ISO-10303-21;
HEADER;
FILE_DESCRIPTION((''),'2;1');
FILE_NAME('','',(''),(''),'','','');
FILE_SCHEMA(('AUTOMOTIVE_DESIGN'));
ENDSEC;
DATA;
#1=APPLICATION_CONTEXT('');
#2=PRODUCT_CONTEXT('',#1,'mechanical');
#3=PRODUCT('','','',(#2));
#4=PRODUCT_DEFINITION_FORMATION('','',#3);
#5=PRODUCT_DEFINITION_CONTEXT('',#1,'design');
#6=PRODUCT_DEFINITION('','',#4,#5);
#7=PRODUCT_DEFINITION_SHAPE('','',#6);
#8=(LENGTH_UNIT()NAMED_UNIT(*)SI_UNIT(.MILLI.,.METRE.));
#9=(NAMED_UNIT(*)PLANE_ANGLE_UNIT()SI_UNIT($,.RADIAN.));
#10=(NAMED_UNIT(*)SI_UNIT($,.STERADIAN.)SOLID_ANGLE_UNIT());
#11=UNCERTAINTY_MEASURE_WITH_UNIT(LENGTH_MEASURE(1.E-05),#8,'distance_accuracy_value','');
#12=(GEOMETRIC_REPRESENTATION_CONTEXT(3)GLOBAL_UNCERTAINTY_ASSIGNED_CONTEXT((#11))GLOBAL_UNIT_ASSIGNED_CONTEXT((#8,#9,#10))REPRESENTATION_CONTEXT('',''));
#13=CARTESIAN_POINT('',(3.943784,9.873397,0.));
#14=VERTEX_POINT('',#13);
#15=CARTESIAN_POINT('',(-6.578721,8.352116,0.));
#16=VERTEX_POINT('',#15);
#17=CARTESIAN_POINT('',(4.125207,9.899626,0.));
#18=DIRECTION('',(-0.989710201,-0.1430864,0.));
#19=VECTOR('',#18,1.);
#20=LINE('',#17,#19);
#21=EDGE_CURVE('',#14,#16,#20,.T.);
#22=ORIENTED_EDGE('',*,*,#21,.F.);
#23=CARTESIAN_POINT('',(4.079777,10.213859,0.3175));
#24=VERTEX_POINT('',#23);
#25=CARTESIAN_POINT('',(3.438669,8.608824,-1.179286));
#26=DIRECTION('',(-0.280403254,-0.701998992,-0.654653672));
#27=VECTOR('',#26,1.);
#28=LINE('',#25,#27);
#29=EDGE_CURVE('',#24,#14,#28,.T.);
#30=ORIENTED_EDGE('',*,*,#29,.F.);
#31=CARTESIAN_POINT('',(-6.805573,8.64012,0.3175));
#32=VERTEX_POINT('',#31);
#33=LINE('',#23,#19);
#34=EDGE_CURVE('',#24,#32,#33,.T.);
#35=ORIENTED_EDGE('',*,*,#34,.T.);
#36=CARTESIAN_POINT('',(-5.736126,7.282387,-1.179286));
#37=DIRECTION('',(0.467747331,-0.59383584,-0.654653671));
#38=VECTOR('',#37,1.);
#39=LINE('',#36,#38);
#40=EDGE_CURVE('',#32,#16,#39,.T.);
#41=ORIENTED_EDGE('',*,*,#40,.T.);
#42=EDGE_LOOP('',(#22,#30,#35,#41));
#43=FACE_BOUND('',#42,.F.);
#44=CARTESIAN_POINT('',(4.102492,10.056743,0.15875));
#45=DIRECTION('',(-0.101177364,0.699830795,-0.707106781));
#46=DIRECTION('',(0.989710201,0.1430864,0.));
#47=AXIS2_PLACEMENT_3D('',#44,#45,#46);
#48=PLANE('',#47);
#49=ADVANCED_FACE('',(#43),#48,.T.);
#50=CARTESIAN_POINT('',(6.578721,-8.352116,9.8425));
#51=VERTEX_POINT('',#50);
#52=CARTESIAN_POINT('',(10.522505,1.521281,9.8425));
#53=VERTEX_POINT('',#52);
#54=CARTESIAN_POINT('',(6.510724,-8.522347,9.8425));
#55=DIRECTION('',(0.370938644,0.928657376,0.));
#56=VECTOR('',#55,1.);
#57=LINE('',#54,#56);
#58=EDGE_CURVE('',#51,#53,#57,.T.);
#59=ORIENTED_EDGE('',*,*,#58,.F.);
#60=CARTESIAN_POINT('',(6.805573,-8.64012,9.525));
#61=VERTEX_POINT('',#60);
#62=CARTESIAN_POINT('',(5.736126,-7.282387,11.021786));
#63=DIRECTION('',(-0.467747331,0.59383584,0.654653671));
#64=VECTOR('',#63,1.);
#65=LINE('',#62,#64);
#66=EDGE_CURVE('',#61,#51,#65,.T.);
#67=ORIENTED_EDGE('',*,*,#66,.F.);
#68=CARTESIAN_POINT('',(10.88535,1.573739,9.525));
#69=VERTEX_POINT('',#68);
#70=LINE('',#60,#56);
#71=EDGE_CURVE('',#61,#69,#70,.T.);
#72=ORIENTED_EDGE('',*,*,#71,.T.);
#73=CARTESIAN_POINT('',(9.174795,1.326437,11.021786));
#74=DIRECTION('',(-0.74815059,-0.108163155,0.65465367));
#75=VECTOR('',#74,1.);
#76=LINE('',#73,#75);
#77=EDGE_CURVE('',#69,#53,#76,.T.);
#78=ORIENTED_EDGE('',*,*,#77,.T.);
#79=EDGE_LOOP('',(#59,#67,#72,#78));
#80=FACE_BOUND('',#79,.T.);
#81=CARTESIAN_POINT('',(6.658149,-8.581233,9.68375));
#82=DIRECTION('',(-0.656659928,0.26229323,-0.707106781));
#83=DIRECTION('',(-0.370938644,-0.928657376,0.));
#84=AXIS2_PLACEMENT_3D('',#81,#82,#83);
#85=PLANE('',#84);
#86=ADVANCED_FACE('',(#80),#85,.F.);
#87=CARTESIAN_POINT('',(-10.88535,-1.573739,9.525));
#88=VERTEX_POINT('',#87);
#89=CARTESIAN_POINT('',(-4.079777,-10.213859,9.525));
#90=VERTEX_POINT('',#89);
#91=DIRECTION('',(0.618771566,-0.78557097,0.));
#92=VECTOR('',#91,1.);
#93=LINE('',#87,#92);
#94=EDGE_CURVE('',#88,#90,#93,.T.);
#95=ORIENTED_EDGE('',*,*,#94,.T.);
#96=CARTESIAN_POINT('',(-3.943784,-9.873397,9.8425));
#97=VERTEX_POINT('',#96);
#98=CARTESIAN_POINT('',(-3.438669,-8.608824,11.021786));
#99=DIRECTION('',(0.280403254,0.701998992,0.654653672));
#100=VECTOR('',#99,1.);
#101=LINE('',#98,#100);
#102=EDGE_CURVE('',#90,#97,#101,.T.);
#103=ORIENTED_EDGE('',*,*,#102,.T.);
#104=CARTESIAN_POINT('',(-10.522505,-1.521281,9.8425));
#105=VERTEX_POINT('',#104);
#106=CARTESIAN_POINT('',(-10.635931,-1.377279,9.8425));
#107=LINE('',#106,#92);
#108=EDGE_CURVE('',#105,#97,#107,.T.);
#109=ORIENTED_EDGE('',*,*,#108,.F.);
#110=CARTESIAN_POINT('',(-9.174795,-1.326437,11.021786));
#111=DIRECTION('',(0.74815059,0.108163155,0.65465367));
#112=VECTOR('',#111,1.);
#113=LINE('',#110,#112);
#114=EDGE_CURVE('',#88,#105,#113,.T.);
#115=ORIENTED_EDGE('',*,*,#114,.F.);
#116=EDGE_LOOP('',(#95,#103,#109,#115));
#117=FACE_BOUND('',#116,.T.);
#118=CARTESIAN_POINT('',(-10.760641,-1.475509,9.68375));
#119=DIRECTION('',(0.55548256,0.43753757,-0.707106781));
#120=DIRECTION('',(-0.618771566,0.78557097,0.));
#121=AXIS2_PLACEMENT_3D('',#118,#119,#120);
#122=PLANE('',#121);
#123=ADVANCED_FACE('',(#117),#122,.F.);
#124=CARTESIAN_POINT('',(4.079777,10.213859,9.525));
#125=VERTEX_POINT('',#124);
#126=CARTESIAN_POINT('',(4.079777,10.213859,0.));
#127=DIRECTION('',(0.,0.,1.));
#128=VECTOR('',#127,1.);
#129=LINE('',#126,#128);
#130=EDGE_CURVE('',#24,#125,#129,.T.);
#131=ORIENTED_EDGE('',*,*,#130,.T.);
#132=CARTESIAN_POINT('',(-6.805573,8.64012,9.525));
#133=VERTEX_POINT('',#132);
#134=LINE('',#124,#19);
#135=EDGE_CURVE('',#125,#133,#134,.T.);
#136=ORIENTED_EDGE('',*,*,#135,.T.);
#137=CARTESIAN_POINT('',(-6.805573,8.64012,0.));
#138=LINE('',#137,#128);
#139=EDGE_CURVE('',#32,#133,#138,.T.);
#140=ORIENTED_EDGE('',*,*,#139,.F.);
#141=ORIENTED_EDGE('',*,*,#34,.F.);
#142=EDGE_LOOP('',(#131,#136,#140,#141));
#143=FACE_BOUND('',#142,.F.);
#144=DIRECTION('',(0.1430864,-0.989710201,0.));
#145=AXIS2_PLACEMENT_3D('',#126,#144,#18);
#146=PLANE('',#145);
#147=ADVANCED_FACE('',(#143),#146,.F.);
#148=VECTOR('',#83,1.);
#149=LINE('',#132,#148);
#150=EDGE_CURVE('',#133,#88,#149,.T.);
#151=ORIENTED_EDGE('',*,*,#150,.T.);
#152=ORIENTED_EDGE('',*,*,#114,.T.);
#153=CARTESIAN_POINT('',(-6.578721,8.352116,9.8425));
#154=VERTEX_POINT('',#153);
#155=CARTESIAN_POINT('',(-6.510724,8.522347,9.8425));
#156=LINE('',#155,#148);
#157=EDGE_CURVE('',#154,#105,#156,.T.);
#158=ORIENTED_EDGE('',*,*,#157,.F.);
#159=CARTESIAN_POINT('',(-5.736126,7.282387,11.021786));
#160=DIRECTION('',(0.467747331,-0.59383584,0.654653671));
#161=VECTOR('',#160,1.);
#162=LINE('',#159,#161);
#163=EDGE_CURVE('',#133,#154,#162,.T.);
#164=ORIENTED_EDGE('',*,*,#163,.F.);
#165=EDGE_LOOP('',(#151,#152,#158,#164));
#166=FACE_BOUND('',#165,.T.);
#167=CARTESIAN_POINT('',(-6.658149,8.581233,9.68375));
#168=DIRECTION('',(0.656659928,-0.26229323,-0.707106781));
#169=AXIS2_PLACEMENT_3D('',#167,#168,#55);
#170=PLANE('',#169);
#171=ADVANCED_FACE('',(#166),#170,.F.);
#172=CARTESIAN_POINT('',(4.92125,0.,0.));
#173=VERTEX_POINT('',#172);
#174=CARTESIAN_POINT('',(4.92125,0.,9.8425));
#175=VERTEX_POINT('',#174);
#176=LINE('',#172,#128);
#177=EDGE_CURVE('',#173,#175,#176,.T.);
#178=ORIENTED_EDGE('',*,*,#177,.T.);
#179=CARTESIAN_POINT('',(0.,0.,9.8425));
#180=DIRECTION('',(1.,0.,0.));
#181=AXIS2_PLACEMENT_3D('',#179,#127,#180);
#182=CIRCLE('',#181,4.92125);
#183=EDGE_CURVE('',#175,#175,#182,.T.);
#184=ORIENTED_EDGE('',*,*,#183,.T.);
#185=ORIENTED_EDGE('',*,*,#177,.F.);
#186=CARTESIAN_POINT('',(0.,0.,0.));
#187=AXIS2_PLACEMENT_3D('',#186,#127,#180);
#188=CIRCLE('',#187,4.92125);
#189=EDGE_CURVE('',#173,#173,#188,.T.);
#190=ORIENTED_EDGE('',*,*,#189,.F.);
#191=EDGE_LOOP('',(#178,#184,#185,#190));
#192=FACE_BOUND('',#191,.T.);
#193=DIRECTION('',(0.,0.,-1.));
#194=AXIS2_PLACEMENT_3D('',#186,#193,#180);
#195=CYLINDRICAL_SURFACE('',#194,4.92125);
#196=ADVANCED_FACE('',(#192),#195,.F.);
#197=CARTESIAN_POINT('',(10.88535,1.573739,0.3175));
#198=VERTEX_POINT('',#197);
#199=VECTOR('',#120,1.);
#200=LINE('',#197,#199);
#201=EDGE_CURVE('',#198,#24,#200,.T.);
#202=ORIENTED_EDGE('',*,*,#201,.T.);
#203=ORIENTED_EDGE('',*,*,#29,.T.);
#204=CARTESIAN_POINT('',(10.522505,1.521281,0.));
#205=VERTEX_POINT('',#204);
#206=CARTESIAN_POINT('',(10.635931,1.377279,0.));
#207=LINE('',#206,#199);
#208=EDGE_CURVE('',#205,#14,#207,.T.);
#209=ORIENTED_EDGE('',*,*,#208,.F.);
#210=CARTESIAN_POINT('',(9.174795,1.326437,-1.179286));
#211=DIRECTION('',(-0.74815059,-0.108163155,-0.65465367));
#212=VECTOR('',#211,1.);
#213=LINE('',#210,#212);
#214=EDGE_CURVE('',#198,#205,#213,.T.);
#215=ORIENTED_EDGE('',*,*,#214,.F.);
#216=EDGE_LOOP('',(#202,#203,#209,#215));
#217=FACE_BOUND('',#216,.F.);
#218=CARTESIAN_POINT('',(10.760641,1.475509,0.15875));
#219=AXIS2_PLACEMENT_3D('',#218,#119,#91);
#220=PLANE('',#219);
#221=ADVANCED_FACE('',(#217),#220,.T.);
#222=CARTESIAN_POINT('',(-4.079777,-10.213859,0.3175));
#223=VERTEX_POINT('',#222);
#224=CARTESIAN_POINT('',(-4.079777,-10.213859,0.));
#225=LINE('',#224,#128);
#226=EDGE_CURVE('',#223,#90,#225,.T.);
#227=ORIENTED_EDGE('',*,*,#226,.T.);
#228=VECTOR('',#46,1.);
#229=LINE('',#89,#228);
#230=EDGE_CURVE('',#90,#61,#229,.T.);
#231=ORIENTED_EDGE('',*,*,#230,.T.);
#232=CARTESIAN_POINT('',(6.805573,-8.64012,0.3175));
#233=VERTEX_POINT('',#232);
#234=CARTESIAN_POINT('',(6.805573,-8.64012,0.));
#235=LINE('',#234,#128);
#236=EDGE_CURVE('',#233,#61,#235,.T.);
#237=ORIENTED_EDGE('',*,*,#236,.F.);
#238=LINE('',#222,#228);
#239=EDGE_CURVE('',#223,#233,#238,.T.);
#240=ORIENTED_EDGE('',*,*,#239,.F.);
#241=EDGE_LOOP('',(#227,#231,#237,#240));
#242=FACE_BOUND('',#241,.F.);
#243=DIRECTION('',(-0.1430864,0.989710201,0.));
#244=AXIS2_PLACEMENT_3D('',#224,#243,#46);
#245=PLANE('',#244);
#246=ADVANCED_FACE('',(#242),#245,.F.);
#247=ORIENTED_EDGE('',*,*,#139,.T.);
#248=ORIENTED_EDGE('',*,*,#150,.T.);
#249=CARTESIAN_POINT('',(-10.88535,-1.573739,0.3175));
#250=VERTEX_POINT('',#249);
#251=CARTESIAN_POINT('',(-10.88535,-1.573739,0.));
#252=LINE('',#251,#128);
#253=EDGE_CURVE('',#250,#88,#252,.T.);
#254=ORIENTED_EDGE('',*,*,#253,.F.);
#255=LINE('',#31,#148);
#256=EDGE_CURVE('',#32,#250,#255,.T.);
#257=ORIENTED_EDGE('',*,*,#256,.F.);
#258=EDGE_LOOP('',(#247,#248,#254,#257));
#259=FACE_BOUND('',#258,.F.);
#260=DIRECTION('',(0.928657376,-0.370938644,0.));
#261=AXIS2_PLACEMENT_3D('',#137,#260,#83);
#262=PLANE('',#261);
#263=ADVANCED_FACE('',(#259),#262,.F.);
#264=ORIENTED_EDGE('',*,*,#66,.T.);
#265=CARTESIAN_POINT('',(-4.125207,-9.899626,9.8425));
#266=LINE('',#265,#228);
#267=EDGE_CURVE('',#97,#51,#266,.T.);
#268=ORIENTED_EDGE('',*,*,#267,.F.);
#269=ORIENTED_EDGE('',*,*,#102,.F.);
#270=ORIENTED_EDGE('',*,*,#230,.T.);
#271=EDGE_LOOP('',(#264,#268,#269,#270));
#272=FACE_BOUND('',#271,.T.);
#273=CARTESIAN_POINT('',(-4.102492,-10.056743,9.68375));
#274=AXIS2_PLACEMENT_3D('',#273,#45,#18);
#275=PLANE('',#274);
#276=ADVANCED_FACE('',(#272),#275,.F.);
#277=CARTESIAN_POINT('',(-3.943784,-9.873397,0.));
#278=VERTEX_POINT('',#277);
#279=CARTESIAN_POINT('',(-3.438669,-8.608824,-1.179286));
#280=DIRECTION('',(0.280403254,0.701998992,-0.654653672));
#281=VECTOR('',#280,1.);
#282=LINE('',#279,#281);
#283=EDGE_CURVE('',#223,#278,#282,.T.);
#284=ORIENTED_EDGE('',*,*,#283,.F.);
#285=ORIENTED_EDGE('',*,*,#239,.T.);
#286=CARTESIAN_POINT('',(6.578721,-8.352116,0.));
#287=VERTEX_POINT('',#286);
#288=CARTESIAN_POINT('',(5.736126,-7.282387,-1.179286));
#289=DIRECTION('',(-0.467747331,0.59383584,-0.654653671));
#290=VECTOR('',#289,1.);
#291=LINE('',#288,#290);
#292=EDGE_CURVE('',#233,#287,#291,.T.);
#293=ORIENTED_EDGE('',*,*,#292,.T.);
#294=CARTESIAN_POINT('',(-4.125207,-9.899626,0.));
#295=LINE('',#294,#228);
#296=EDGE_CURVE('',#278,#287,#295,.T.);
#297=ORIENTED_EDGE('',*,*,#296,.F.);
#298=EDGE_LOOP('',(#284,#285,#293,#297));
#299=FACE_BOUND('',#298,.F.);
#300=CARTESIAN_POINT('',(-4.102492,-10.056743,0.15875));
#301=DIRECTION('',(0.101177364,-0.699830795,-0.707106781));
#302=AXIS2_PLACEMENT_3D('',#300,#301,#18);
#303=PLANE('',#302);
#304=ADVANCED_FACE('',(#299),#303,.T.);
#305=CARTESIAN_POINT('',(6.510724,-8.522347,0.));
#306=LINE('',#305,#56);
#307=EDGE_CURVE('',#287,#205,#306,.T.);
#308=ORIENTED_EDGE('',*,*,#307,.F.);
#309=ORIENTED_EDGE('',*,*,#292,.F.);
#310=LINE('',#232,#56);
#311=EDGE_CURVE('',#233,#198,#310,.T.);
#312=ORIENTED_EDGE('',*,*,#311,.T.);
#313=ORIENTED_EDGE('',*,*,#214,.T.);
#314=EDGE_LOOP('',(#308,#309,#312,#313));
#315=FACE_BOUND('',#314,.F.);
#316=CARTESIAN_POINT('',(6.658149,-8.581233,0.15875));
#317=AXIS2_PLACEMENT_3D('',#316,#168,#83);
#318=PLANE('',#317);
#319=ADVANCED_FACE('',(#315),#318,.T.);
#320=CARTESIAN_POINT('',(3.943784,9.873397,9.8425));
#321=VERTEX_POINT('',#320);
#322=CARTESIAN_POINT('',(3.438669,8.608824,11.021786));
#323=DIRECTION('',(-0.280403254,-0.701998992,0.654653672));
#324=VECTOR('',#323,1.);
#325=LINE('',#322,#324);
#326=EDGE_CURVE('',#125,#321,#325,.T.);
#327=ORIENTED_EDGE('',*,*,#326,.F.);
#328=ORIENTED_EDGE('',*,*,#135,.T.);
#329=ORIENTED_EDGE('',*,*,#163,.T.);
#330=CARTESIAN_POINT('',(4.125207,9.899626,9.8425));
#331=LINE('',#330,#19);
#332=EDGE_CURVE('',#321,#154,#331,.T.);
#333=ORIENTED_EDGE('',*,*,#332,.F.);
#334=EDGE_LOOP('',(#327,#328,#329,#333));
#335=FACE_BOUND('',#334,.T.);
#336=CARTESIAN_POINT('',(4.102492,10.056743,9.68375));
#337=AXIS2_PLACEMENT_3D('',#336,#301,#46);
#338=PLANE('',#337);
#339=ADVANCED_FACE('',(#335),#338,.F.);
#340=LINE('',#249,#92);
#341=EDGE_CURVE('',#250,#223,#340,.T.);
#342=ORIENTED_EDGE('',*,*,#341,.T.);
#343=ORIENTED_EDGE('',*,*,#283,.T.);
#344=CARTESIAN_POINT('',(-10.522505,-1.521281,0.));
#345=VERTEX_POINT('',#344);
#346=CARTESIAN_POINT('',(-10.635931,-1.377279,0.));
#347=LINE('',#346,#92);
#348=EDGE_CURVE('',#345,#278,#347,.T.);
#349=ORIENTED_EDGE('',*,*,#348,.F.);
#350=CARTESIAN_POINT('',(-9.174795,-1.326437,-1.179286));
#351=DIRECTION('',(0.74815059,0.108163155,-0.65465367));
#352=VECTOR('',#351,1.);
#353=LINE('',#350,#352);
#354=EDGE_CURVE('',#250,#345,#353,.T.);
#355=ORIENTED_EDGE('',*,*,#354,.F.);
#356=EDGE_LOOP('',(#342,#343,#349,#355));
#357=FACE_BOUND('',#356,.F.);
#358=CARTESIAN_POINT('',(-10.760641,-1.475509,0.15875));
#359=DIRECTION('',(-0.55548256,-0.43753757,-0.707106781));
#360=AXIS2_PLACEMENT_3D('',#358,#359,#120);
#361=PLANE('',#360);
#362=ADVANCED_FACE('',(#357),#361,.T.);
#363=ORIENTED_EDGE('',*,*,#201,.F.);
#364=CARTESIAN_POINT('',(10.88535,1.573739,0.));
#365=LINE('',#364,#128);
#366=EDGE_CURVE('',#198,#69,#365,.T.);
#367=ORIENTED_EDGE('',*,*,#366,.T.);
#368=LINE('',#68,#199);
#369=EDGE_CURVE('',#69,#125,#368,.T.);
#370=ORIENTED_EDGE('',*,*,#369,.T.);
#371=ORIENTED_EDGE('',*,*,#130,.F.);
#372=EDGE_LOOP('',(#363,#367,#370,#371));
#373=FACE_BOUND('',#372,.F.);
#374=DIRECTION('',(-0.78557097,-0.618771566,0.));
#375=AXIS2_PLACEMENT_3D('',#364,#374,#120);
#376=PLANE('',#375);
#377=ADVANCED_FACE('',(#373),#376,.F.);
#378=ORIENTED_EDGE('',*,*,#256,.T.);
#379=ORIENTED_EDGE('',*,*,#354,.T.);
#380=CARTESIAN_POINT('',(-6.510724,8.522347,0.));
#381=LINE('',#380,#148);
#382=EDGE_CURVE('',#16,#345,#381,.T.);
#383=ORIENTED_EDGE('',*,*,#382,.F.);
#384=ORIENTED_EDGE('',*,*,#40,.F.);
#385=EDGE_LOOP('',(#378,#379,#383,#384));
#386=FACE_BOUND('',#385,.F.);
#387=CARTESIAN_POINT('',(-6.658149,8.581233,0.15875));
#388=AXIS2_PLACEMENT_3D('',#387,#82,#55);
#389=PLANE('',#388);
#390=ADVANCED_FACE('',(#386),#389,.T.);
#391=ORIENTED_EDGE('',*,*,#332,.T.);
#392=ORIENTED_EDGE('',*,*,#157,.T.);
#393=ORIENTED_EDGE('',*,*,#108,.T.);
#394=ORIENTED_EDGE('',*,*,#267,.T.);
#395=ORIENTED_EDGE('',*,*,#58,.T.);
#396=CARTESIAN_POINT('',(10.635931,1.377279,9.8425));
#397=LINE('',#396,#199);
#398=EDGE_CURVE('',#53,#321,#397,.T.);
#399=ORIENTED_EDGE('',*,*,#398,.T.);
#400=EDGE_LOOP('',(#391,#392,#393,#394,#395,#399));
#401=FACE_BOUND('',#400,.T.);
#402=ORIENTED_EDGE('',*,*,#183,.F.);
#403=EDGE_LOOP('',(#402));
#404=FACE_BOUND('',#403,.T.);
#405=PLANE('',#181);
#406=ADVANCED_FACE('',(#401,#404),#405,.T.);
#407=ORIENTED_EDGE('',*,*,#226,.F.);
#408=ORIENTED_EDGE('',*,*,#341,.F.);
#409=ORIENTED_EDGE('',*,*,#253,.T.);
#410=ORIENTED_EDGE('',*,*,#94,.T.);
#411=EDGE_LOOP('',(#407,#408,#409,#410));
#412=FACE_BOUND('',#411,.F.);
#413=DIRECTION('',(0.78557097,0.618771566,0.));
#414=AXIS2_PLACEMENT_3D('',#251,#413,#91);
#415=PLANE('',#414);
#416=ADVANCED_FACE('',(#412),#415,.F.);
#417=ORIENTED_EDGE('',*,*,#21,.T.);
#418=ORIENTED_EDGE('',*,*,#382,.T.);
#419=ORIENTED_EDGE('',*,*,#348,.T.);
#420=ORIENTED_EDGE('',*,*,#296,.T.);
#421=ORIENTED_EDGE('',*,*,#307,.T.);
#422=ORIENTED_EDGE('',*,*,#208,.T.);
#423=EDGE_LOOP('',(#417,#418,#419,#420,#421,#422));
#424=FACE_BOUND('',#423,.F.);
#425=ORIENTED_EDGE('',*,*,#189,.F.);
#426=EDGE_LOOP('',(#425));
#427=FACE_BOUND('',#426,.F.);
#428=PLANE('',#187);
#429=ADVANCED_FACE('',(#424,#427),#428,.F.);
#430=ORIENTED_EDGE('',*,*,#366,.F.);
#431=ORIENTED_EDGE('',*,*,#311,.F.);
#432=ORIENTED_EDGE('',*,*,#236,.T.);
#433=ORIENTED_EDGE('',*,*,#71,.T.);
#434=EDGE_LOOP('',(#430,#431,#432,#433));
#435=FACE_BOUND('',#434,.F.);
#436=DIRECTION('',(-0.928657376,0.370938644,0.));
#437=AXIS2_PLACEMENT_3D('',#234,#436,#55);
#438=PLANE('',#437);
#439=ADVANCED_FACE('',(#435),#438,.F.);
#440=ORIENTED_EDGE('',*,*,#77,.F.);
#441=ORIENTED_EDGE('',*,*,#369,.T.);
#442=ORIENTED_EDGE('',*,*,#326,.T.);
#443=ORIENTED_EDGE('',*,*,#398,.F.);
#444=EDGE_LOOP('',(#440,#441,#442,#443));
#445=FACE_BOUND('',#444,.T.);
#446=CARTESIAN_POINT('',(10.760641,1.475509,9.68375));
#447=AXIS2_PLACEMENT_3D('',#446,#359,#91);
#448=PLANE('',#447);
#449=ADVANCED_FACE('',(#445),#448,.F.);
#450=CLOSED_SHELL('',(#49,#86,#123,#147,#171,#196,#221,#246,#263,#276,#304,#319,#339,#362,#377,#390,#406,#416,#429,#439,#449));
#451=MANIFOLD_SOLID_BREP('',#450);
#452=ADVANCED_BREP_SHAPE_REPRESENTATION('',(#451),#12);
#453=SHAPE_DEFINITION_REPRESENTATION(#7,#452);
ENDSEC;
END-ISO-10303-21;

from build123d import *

# Parameters (mm, degrees)
F0_R     = 4.92125
F1_DEPTH = 9.8425
F2_SIZE  = 0.3175


with BuildPart() as f1:
    # F0 (on Top) → F1 (new body)
    with BuildSketch(Plane.XY):
        Polygon((10.88535, 1.573739), (4.079777, 10.213859), (-6.805573, 8.64012), (-10.88535, -1.573739), (-4.079777, -10.213859), (6.805573, -8.64012), align=None)
        Circle(F0_R, mode=Mode.SUBTRACT)
    extrude(amount=F1_DEPTH)

    # F2
    f2_edges = [f1.edges().sort_by_distance(p)[0] for p in [
        (-8.845461, 3.533191, 9.8425),
        (-1.362898, 9.42699, 9.8425),
        (7.482564, 5.893799, 9.8425),
        (8.845461, -3.533191, 9.8425),
        (1.362898, -9.42699, 9.8425),
        (-7.482564, -5.893799, 9.8425),
        (1.362898, -9.42699, 0),
        (8.845461, -3.533191, 0),
        (7.482564, 5.893799, 0),
        (-1.362898, 9.42699, 0),
        (-8.845461, 3.533191, 0),
        (-7.482564, -5.893799, 0),
    ]]
    chamfer(f2_edges, length=F2_SIZE)


solid = f1.part
